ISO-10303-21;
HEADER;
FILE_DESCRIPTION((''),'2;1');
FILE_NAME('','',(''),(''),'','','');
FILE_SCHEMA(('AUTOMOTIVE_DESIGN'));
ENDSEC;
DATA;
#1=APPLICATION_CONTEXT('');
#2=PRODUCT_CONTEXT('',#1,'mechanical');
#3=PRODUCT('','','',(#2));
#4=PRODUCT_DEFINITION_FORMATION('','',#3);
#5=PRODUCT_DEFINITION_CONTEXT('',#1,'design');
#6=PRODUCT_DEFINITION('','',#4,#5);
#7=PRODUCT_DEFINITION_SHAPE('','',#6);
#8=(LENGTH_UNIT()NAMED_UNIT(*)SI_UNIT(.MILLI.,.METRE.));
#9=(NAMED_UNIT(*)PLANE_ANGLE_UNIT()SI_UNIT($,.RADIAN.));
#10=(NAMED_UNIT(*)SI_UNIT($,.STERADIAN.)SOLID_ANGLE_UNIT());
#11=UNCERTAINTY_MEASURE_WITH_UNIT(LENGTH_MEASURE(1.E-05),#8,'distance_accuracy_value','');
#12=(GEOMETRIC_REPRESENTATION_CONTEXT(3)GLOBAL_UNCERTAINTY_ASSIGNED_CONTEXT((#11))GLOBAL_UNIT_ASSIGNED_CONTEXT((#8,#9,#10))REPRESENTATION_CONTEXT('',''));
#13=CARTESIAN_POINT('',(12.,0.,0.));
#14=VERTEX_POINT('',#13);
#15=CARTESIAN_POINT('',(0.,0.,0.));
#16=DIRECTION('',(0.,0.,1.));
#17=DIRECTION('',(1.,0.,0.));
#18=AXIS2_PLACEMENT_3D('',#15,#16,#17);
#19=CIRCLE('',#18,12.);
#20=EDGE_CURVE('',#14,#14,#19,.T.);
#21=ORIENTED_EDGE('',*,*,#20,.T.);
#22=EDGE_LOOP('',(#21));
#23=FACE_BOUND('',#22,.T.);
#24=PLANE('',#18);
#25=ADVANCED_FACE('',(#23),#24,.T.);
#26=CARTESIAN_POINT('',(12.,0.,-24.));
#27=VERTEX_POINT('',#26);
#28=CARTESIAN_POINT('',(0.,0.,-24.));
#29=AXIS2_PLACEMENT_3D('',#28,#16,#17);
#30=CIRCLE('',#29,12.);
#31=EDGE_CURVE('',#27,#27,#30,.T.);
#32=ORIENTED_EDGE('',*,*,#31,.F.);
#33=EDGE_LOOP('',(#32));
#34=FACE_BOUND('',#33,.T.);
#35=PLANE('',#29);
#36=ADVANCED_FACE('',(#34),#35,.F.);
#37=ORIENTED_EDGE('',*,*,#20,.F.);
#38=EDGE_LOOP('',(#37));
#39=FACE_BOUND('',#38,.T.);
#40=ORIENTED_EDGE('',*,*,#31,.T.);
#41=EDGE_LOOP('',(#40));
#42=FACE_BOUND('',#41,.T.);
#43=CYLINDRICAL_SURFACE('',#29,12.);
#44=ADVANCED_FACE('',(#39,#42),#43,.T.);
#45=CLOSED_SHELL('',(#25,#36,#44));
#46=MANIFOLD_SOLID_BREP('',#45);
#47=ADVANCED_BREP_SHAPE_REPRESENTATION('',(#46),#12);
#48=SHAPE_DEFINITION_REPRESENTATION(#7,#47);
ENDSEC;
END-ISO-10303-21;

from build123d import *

# Parameters (mm, degrees)
SKETCH_1_R      = 12
EXTRUDE_1_DEPTH = 24


with BuildPart() as part:
    # 草图1 → 凸台-拉伸1 (new body)
    with BuildSketch(Plane.XY):
        Circle(SKETCH_1_R)
    extrude(amount=-EXTRUDE_1_DEPTH)


solid = part.part
